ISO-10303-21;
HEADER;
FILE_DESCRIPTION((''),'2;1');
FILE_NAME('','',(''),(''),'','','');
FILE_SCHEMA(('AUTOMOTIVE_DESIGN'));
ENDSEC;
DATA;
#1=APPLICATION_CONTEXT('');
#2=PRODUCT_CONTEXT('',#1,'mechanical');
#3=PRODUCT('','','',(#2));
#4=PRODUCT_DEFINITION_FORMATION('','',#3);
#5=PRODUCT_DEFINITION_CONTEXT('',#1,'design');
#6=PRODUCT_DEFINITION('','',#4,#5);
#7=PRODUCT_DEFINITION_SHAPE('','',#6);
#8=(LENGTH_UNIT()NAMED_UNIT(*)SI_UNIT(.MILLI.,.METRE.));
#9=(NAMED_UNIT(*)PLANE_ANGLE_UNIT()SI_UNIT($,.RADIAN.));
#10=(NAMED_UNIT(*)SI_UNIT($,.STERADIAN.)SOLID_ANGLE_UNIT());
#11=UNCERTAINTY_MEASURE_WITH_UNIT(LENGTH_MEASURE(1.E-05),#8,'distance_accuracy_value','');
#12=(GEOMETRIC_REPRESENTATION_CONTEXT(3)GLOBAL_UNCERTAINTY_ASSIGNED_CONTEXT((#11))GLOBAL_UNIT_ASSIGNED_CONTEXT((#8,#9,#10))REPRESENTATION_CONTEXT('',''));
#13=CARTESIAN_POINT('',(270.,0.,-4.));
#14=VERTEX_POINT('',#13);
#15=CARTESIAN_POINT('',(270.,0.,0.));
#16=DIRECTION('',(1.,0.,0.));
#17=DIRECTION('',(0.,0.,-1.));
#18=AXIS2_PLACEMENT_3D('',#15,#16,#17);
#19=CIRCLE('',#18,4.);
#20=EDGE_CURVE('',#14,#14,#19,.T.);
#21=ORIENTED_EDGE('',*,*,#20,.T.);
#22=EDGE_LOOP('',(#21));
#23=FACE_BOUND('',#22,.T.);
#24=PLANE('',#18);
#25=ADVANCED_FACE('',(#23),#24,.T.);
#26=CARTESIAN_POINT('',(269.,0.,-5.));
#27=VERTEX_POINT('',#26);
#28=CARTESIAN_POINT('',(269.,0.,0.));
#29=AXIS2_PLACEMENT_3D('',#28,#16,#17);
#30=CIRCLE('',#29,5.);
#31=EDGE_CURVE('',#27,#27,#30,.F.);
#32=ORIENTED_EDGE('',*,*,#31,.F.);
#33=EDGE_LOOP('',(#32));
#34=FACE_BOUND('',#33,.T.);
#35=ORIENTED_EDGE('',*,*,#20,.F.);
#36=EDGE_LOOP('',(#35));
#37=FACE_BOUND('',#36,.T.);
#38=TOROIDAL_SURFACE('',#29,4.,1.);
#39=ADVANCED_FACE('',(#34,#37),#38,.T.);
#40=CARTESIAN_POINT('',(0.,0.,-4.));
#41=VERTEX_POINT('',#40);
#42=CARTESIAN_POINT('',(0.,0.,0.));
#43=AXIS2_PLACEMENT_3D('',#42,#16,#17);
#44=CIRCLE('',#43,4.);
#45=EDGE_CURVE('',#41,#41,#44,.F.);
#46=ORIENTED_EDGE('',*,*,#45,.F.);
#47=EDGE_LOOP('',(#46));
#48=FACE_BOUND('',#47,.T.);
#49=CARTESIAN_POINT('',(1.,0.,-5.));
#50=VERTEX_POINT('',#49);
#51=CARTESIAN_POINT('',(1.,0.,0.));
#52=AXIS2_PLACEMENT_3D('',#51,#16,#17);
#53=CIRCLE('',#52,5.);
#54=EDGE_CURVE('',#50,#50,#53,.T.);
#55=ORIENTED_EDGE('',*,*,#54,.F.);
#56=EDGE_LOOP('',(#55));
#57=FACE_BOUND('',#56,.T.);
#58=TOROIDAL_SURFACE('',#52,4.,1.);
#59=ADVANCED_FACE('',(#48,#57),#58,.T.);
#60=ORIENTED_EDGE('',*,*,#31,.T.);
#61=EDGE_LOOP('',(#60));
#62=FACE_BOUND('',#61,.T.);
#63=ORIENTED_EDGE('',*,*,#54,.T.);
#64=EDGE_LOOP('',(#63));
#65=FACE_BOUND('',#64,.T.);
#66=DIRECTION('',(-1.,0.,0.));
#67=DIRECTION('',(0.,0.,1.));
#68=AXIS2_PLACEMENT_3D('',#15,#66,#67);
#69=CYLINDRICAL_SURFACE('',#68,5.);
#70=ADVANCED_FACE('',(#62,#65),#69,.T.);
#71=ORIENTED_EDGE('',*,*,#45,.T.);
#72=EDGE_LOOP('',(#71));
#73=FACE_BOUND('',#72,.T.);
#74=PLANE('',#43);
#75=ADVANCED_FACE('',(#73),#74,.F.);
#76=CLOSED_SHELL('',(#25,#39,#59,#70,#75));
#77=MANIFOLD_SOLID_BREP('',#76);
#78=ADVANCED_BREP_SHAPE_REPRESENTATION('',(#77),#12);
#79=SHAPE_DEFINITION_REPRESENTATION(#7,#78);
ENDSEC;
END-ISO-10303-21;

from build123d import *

# Parameters (mm, degrees)
SKETCH1_R           = 5
BOSS_EXTRUDE1_DEPTH = 270
FILLET1_R           = 1


with BuildPart() as part:
    # Sketch1 → Boss-Extrude1 (new body)
    with BuildSketch(Plane(origin=(0, 0, 0), x_dir=(0, 0, -1), z_dir=(1, 0, 0))):
        Circle(SKETCH1_R)
    extrude(amount=BOSS_EXTRUDE1_DEPTH)

    # Fillet1
    fillet1_edges = [part.edges().sort_by_distance(p)[0] for p in [
        (0, 0, 5),
        (270, 0, 5),
    ]]
    fillet(fillet1_edges, radius=FILLET1_R)


solid = part.part
